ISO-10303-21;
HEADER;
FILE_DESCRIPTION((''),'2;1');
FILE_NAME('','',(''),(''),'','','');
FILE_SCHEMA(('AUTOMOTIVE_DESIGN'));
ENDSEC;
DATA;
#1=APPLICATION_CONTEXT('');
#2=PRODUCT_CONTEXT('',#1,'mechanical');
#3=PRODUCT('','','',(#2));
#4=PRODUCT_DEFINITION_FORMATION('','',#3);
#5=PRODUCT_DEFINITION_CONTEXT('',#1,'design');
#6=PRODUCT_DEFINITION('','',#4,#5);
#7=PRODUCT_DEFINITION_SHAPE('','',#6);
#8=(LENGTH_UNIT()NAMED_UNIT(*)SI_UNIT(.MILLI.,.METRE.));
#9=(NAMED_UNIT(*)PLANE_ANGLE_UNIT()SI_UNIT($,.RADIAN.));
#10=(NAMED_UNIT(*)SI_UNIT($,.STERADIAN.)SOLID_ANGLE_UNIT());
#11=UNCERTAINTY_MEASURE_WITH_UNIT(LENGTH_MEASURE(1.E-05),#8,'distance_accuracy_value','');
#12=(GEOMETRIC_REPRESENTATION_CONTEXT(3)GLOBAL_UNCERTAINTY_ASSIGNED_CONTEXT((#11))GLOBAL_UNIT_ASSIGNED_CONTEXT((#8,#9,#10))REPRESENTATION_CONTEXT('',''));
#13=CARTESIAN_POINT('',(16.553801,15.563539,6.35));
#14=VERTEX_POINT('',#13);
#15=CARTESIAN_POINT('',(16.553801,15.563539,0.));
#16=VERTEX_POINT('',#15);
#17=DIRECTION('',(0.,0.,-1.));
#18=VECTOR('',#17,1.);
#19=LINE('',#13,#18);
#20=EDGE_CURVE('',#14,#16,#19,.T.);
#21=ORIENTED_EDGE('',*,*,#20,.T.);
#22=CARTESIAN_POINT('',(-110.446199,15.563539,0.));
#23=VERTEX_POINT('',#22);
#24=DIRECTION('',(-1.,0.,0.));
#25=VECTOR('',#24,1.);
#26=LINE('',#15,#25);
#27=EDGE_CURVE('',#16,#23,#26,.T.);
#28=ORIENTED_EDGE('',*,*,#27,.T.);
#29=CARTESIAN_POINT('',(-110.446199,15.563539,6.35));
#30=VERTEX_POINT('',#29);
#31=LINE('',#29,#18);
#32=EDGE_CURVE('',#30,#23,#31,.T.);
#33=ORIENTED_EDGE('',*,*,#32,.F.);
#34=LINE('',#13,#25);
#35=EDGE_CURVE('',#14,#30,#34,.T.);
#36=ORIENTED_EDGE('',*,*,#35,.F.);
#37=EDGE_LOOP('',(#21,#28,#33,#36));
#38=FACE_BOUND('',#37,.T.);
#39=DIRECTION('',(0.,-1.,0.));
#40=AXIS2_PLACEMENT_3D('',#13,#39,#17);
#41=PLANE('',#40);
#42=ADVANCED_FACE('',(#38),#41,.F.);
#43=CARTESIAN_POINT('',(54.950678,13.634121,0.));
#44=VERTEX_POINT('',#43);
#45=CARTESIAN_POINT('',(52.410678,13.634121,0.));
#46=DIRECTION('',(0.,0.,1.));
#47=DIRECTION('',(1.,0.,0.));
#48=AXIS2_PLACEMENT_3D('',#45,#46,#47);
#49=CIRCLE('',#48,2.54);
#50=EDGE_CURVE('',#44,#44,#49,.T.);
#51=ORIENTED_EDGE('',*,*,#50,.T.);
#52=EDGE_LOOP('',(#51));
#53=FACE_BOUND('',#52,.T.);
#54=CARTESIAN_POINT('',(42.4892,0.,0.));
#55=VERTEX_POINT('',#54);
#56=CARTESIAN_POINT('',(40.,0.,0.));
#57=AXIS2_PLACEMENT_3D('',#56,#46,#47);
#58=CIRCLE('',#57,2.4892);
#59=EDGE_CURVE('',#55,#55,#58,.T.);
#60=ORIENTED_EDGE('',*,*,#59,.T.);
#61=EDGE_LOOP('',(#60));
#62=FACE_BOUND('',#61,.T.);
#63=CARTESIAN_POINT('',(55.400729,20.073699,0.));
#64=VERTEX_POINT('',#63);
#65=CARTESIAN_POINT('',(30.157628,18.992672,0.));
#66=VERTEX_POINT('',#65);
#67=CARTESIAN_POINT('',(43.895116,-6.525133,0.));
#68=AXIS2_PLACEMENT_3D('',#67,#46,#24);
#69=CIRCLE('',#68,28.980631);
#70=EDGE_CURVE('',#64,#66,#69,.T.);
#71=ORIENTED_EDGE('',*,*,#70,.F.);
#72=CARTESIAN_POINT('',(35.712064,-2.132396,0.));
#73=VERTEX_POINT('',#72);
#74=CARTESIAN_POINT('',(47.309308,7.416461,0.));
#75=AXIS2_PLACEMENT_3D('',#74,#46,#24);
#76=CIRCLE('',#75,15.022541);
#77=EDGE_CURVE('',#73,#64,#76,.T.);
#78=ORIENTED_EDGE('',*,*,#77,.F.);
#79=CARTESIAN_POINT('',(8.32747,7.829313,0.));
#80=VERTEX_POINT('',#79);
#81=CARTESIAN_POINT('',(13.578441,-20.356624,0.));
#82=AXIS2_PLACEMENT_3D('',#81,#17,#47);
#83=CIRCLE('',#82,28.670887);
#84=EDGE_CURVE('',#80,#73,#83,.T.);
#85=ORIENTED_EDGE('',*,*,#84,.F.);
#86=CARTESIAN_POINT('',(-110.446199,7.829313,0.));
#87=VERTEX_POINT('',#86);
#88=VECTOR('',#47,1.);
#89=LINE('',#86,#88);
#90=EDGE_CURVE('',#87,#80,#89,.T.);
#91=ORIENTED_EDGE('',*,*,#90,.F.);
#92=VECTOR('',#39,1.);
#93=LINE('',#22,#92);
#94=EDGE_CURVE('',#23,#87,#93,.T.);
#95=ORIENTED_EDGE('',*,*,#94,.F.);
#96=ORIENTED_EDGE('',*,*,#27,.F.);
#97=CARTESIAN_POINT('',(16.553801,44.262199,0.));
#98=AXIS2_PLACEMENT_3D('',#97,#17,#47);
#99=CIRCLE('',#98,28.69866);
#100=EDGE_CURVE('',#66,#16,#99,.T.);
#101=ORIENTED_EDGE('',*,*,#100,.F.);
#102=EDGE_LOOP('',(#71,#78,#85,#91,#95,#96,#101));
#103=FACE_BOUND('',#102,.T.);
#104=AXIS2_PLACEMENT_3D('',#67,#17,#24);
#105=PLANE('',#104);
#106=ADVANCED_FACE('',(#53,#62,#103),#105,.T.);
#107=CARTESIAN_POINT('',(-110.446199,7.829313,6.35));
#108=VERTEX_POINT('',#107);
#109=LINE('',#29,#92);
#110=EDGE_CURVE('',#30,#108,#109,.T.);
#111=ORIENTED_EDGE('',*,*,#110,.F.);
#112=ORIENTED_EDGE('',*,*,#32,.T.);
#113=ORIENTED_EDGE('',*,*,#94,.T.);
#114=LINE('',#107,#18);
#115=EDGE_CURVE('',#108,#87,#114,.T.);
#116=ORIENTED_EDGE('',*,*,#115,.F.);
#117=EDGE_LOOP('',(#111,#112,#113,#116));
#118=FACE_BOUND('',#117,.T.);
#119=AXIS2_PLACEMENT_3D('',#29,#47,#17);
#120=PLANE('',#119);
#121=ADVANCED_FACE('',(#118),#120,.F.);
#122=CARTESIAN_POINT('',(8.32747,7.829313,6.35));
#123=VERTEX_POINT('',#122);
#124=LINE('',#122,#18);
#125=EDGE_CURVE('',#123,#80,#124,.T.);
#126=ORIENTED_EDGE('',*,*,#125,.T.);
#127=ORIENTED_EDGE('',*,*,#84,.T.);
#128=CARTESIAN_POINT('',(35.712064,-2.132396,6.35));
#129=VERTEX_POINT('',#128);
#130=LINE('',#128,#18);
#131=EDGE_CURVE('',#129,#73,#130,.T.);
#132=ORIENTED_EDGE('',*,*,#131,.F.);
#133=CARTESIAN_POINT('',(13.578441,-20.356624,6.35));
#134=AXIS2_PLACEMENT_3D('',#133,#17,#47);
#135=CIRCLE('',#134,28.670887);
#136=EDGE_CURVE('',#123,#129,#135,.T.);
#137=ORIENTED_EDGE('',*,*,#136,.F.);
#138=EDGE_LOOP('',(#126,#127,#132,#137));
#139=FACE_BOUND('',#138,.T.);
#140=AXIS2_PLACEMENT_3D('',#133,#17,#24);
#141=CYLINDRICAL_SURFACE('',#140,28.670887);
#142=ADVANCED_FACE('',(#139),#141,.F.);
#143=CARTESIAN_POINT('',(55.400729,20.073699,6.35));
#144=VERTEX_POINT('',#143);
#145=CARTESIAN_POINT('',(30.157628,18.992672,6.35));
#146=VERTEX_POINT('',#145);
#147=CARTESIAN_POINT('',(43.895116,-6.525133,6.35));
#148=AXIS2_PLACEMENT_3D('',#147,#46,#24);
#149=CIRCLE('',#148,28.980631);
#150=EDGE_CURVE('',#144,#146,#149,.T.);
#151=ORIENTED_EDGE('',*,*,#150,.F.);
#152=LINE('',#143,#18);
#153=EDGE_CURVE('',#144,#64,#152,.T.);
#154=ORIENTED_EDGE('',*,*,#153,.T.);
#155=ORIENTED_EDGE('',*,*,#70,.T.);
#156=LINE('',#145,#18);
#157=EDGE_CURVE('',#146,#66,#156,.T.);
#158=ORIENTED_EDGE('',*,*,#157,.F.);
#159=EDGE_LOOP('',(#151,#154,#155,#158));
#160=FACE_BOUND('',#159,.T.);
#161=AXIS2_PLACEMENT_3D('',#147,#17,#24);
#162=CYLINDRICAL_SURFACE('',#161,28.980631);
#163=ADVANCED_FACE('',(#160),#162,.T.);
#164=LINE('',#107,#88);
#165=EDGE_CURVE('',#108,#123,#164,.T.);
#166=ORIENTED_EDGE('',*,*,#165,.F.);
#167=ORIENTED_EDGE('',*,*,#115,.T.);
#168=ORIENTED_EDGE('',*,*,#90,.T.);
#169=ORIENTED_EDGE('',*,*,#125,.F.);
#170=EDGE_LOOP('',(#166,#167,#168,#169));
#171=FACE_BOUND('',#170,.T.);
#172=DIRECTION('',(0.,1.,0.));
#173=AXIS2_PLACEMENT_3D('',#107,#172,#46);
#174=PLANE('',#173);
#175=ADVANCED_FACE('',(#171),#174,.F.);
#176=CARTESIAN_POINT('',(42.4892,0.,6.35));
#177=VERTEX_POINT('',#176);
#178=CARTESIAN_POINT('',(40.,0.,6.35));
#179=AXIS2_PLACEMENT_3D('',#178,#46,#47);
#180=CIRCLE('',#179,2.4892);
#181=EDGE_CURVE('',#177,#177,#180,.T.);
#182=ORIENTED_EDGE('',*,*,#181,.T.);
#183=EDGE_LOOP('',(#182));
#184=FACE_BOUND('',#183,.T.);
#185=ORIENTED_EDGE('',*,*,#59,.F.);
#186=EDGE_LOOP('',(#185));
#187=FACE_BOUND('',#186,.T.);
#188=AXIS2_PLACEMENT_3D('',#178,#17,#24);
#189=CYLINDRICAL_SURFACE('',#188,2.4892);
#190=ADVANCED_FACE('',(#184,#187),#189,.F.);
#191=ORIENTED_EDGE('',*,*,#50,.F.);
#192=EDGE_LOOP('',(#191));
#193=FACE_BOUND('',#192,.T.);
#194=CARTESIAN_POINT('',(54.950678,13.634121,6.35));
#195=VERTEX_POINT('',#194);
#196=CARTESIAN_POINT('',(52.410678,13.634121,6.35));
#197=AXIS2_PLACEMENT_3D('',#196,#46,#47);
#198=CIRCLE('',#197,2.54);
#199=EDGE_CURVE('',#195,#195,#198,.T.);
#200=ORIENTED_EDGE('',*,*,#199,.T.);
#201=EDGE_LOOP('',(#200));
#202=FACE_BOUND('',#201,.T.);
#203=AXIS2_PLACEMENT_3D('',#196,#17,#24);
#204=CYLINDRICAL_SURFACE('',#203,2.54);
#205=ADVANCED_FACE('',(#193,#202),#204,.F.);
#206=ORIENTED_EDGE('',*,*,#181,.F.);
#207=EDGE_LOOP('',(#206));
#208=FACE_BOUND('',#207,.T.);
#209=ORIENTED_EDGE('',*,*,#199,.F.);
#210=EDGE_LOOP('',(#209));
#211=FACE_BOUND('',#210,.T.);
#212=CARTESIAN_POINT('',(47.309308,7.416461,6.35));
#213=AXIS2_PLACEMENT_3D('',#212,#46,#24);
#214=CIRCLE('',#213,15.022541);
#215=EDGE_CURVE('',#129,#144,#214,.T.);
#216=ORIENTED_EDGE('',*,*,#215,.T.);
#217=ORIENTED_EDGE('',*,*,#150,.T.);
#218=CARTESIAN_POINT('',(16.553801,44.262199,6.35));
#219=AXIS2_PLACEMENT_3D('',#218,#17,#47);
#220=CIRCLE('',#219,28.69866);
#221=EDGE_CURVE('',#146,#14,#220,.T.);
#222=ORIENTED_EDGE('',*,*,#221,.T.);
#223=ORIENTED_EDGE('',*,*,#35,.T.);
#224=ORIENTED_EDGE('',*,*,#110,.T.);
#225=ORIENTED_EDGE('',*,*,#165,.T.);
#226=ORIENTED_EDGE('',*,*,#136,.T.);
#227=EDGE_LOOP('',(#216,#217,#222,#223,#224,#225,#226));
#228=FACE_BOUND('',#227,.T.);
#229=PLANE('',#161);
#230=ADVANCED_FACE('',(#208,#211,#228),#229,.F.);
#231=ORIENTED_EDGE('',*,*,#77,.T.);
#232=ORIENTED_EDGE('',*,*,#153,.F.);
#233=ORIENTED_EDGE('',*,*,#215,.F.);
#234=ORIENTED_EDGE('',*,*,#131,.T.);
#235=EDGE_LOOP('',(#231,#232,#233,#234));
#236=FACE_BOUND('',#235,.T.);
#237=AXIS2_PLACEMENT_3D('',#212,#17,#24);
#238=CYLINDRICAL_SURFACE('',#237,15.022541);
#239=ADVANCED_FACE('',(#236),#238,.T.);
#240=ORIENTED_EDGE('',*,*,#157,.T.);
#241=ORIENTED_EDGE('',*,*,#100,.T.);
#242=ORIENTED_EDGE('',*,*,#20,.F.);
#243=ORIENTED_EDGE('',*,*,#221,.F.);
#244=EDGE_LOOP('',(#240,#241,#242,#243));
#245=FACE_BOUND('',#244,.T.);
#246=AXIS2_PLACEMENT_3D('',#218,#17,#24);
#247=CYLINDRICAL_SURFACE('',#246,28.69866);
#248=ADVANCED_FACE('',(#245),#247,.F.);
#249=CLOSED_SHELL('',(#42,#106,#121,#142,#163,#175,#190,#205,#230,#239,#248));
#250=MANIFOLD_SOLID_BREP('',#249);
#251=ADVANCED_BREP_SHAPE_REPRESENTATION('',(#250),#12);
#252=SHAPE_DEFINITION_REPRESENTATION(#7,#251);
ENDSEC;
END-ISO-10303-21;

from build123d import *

# Parameters (mm, degrees)
SKETCH2_R           = 2.54
SKETCH2_R_2         = 2.4892
BOSS_EXTRUDE4_DEPTH = 6.35


with BuildPart() as part:
    # Sketch2 → Boss-Extrude4 (new body)
    with BuildSketch(Plane.XY):
        with BuildLine():
            Line((16.553800999, 15.563538937), (-110.446199, 15.563538937))
            Line((-110.446199, 15.563538937), (-110.446199, 7.829313497))
            Line((-110.446199, 7.829313497), (8.327469614, 7.829313497))
            ThreePointArc((8.327469614, 7.829313497), (23.37971128, 6.58692566), (35.712064399, -2.132396173))
            ThreePointArc((35.712064399, -2.132396173), (58.549875935, -2.549801063), (55.400729061, 20.07369859))
            ThreePointArc((55.400729061, 20.07369859), (42.655168222, 22.428960004), (30.15762825, 18.992672461))
            ThreePointArc((30.15762825, 18.992672461), (23.568483326, 16.434024055), (16.553800999, 15.563538937))
        make_face()
        with Locations((52.410677776, 13.634120609)):
            Circle(SKETCH2_R, mode=Mode.SUBTRACT)
        with Locations((40, 2e-09)):
            Circle(SKETCH2_R_2, mode=Mode.SUBTRACT)
    extrude(amount=BOSS_EXTRUDE4_DEPTH)


solid = part.part
